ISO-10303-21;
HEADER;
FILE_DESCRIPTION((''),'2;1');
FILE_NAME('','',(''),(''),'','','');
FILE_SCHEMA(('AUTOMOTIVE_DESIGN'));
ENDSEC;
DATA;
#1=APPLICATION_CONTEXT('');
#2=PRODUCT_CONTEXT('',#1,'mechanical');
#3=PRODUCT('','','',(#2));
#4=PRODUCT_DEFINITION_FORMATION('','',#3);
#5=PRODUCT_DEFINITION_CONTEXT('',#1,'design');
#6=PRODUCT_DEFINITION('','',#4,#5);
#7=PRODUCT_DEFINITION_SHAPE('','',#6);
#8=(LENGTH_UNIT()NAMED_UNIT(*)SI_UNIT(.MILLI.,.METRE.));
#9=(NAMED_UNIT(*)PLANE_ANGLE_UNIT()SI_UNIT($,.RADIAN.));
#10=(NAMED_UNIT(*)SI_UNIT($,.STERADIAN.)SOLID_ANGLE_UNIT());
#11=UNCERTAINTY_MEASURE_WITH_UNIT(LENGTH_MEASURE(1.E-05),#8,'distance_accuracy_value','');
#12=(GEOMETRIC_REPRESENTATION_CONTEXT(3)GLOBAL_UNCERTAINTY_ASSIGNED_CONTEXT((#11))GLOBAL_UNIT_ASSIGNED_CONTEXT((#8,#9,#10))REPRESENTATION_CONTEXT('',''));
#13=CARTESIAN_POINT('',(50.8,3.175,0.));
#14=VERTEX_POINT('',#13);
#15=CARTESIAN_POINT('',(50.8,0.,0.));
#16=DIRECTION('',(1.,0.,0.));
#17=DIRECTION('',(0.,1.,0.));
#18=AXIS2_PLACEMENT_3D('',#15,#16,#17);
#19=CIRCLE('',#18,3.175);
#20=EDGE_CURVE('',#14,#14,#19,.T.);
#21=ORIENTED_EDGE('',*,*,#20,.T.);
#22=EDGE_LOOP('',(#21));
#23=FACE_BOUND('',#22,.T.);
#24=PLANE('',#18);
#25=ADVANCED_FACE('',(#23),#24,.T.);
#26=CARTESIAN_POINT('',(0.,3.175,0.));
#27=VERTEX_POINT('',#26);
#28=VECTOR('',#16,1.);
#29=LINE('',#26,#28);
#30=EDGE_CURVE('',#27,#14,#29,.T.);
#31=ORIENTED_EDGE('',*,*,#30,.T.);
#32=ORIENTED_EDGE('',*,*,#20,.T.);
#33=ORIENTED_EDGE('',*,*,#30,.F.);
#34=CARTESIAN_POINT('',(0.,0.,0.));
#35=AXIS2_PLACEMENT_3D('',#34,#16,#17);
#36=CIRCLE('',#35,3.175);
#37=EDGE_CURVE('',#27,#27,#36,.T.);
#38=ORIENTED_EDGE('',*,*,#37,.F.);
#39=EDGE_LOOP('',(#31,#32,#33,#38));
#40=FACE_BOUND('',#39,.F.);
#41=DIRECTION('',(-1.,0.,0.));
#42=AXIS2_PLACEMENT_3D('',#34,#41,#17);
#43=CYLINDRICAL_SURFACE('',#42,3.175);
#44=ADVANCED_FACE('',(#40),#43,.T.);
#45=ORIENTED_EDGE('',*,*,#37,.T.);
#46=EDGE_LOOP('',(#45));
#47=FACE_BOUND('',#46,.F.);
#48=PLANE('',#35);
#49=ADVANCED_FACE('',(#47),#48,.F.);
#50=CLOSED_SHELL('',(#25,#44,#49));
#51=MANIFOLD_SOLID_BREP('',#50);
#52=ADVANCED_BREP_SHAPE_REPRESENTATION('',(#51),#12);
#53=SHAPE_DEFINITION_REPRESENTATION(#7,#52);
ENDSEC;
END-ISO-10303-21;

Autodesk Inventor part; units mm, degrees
ref_plane "YZ Plane" through (0, 0, 0) normal (1, 0, 0) x (0, 1, 0)
ref_plane "XZ Plane" through (0, 0, 0) normal (0, 1, 0) x (-1, 0, 0)
ref_plane "XY Plane" through (0, 0, 0) normal (0, 0, 1) x (1, 0, 0)
sketch "Sketch1" plane through (0, 0, 0) normal (1, 0, 0) x (0, 1, 0)
  circle A0 centre (0, 0) radius 3.175
  dimension "d0" = 6.35
extrude "Extrusion1" add sketch "Sketch1" along normal blind 50.8
properties part number "pin"
